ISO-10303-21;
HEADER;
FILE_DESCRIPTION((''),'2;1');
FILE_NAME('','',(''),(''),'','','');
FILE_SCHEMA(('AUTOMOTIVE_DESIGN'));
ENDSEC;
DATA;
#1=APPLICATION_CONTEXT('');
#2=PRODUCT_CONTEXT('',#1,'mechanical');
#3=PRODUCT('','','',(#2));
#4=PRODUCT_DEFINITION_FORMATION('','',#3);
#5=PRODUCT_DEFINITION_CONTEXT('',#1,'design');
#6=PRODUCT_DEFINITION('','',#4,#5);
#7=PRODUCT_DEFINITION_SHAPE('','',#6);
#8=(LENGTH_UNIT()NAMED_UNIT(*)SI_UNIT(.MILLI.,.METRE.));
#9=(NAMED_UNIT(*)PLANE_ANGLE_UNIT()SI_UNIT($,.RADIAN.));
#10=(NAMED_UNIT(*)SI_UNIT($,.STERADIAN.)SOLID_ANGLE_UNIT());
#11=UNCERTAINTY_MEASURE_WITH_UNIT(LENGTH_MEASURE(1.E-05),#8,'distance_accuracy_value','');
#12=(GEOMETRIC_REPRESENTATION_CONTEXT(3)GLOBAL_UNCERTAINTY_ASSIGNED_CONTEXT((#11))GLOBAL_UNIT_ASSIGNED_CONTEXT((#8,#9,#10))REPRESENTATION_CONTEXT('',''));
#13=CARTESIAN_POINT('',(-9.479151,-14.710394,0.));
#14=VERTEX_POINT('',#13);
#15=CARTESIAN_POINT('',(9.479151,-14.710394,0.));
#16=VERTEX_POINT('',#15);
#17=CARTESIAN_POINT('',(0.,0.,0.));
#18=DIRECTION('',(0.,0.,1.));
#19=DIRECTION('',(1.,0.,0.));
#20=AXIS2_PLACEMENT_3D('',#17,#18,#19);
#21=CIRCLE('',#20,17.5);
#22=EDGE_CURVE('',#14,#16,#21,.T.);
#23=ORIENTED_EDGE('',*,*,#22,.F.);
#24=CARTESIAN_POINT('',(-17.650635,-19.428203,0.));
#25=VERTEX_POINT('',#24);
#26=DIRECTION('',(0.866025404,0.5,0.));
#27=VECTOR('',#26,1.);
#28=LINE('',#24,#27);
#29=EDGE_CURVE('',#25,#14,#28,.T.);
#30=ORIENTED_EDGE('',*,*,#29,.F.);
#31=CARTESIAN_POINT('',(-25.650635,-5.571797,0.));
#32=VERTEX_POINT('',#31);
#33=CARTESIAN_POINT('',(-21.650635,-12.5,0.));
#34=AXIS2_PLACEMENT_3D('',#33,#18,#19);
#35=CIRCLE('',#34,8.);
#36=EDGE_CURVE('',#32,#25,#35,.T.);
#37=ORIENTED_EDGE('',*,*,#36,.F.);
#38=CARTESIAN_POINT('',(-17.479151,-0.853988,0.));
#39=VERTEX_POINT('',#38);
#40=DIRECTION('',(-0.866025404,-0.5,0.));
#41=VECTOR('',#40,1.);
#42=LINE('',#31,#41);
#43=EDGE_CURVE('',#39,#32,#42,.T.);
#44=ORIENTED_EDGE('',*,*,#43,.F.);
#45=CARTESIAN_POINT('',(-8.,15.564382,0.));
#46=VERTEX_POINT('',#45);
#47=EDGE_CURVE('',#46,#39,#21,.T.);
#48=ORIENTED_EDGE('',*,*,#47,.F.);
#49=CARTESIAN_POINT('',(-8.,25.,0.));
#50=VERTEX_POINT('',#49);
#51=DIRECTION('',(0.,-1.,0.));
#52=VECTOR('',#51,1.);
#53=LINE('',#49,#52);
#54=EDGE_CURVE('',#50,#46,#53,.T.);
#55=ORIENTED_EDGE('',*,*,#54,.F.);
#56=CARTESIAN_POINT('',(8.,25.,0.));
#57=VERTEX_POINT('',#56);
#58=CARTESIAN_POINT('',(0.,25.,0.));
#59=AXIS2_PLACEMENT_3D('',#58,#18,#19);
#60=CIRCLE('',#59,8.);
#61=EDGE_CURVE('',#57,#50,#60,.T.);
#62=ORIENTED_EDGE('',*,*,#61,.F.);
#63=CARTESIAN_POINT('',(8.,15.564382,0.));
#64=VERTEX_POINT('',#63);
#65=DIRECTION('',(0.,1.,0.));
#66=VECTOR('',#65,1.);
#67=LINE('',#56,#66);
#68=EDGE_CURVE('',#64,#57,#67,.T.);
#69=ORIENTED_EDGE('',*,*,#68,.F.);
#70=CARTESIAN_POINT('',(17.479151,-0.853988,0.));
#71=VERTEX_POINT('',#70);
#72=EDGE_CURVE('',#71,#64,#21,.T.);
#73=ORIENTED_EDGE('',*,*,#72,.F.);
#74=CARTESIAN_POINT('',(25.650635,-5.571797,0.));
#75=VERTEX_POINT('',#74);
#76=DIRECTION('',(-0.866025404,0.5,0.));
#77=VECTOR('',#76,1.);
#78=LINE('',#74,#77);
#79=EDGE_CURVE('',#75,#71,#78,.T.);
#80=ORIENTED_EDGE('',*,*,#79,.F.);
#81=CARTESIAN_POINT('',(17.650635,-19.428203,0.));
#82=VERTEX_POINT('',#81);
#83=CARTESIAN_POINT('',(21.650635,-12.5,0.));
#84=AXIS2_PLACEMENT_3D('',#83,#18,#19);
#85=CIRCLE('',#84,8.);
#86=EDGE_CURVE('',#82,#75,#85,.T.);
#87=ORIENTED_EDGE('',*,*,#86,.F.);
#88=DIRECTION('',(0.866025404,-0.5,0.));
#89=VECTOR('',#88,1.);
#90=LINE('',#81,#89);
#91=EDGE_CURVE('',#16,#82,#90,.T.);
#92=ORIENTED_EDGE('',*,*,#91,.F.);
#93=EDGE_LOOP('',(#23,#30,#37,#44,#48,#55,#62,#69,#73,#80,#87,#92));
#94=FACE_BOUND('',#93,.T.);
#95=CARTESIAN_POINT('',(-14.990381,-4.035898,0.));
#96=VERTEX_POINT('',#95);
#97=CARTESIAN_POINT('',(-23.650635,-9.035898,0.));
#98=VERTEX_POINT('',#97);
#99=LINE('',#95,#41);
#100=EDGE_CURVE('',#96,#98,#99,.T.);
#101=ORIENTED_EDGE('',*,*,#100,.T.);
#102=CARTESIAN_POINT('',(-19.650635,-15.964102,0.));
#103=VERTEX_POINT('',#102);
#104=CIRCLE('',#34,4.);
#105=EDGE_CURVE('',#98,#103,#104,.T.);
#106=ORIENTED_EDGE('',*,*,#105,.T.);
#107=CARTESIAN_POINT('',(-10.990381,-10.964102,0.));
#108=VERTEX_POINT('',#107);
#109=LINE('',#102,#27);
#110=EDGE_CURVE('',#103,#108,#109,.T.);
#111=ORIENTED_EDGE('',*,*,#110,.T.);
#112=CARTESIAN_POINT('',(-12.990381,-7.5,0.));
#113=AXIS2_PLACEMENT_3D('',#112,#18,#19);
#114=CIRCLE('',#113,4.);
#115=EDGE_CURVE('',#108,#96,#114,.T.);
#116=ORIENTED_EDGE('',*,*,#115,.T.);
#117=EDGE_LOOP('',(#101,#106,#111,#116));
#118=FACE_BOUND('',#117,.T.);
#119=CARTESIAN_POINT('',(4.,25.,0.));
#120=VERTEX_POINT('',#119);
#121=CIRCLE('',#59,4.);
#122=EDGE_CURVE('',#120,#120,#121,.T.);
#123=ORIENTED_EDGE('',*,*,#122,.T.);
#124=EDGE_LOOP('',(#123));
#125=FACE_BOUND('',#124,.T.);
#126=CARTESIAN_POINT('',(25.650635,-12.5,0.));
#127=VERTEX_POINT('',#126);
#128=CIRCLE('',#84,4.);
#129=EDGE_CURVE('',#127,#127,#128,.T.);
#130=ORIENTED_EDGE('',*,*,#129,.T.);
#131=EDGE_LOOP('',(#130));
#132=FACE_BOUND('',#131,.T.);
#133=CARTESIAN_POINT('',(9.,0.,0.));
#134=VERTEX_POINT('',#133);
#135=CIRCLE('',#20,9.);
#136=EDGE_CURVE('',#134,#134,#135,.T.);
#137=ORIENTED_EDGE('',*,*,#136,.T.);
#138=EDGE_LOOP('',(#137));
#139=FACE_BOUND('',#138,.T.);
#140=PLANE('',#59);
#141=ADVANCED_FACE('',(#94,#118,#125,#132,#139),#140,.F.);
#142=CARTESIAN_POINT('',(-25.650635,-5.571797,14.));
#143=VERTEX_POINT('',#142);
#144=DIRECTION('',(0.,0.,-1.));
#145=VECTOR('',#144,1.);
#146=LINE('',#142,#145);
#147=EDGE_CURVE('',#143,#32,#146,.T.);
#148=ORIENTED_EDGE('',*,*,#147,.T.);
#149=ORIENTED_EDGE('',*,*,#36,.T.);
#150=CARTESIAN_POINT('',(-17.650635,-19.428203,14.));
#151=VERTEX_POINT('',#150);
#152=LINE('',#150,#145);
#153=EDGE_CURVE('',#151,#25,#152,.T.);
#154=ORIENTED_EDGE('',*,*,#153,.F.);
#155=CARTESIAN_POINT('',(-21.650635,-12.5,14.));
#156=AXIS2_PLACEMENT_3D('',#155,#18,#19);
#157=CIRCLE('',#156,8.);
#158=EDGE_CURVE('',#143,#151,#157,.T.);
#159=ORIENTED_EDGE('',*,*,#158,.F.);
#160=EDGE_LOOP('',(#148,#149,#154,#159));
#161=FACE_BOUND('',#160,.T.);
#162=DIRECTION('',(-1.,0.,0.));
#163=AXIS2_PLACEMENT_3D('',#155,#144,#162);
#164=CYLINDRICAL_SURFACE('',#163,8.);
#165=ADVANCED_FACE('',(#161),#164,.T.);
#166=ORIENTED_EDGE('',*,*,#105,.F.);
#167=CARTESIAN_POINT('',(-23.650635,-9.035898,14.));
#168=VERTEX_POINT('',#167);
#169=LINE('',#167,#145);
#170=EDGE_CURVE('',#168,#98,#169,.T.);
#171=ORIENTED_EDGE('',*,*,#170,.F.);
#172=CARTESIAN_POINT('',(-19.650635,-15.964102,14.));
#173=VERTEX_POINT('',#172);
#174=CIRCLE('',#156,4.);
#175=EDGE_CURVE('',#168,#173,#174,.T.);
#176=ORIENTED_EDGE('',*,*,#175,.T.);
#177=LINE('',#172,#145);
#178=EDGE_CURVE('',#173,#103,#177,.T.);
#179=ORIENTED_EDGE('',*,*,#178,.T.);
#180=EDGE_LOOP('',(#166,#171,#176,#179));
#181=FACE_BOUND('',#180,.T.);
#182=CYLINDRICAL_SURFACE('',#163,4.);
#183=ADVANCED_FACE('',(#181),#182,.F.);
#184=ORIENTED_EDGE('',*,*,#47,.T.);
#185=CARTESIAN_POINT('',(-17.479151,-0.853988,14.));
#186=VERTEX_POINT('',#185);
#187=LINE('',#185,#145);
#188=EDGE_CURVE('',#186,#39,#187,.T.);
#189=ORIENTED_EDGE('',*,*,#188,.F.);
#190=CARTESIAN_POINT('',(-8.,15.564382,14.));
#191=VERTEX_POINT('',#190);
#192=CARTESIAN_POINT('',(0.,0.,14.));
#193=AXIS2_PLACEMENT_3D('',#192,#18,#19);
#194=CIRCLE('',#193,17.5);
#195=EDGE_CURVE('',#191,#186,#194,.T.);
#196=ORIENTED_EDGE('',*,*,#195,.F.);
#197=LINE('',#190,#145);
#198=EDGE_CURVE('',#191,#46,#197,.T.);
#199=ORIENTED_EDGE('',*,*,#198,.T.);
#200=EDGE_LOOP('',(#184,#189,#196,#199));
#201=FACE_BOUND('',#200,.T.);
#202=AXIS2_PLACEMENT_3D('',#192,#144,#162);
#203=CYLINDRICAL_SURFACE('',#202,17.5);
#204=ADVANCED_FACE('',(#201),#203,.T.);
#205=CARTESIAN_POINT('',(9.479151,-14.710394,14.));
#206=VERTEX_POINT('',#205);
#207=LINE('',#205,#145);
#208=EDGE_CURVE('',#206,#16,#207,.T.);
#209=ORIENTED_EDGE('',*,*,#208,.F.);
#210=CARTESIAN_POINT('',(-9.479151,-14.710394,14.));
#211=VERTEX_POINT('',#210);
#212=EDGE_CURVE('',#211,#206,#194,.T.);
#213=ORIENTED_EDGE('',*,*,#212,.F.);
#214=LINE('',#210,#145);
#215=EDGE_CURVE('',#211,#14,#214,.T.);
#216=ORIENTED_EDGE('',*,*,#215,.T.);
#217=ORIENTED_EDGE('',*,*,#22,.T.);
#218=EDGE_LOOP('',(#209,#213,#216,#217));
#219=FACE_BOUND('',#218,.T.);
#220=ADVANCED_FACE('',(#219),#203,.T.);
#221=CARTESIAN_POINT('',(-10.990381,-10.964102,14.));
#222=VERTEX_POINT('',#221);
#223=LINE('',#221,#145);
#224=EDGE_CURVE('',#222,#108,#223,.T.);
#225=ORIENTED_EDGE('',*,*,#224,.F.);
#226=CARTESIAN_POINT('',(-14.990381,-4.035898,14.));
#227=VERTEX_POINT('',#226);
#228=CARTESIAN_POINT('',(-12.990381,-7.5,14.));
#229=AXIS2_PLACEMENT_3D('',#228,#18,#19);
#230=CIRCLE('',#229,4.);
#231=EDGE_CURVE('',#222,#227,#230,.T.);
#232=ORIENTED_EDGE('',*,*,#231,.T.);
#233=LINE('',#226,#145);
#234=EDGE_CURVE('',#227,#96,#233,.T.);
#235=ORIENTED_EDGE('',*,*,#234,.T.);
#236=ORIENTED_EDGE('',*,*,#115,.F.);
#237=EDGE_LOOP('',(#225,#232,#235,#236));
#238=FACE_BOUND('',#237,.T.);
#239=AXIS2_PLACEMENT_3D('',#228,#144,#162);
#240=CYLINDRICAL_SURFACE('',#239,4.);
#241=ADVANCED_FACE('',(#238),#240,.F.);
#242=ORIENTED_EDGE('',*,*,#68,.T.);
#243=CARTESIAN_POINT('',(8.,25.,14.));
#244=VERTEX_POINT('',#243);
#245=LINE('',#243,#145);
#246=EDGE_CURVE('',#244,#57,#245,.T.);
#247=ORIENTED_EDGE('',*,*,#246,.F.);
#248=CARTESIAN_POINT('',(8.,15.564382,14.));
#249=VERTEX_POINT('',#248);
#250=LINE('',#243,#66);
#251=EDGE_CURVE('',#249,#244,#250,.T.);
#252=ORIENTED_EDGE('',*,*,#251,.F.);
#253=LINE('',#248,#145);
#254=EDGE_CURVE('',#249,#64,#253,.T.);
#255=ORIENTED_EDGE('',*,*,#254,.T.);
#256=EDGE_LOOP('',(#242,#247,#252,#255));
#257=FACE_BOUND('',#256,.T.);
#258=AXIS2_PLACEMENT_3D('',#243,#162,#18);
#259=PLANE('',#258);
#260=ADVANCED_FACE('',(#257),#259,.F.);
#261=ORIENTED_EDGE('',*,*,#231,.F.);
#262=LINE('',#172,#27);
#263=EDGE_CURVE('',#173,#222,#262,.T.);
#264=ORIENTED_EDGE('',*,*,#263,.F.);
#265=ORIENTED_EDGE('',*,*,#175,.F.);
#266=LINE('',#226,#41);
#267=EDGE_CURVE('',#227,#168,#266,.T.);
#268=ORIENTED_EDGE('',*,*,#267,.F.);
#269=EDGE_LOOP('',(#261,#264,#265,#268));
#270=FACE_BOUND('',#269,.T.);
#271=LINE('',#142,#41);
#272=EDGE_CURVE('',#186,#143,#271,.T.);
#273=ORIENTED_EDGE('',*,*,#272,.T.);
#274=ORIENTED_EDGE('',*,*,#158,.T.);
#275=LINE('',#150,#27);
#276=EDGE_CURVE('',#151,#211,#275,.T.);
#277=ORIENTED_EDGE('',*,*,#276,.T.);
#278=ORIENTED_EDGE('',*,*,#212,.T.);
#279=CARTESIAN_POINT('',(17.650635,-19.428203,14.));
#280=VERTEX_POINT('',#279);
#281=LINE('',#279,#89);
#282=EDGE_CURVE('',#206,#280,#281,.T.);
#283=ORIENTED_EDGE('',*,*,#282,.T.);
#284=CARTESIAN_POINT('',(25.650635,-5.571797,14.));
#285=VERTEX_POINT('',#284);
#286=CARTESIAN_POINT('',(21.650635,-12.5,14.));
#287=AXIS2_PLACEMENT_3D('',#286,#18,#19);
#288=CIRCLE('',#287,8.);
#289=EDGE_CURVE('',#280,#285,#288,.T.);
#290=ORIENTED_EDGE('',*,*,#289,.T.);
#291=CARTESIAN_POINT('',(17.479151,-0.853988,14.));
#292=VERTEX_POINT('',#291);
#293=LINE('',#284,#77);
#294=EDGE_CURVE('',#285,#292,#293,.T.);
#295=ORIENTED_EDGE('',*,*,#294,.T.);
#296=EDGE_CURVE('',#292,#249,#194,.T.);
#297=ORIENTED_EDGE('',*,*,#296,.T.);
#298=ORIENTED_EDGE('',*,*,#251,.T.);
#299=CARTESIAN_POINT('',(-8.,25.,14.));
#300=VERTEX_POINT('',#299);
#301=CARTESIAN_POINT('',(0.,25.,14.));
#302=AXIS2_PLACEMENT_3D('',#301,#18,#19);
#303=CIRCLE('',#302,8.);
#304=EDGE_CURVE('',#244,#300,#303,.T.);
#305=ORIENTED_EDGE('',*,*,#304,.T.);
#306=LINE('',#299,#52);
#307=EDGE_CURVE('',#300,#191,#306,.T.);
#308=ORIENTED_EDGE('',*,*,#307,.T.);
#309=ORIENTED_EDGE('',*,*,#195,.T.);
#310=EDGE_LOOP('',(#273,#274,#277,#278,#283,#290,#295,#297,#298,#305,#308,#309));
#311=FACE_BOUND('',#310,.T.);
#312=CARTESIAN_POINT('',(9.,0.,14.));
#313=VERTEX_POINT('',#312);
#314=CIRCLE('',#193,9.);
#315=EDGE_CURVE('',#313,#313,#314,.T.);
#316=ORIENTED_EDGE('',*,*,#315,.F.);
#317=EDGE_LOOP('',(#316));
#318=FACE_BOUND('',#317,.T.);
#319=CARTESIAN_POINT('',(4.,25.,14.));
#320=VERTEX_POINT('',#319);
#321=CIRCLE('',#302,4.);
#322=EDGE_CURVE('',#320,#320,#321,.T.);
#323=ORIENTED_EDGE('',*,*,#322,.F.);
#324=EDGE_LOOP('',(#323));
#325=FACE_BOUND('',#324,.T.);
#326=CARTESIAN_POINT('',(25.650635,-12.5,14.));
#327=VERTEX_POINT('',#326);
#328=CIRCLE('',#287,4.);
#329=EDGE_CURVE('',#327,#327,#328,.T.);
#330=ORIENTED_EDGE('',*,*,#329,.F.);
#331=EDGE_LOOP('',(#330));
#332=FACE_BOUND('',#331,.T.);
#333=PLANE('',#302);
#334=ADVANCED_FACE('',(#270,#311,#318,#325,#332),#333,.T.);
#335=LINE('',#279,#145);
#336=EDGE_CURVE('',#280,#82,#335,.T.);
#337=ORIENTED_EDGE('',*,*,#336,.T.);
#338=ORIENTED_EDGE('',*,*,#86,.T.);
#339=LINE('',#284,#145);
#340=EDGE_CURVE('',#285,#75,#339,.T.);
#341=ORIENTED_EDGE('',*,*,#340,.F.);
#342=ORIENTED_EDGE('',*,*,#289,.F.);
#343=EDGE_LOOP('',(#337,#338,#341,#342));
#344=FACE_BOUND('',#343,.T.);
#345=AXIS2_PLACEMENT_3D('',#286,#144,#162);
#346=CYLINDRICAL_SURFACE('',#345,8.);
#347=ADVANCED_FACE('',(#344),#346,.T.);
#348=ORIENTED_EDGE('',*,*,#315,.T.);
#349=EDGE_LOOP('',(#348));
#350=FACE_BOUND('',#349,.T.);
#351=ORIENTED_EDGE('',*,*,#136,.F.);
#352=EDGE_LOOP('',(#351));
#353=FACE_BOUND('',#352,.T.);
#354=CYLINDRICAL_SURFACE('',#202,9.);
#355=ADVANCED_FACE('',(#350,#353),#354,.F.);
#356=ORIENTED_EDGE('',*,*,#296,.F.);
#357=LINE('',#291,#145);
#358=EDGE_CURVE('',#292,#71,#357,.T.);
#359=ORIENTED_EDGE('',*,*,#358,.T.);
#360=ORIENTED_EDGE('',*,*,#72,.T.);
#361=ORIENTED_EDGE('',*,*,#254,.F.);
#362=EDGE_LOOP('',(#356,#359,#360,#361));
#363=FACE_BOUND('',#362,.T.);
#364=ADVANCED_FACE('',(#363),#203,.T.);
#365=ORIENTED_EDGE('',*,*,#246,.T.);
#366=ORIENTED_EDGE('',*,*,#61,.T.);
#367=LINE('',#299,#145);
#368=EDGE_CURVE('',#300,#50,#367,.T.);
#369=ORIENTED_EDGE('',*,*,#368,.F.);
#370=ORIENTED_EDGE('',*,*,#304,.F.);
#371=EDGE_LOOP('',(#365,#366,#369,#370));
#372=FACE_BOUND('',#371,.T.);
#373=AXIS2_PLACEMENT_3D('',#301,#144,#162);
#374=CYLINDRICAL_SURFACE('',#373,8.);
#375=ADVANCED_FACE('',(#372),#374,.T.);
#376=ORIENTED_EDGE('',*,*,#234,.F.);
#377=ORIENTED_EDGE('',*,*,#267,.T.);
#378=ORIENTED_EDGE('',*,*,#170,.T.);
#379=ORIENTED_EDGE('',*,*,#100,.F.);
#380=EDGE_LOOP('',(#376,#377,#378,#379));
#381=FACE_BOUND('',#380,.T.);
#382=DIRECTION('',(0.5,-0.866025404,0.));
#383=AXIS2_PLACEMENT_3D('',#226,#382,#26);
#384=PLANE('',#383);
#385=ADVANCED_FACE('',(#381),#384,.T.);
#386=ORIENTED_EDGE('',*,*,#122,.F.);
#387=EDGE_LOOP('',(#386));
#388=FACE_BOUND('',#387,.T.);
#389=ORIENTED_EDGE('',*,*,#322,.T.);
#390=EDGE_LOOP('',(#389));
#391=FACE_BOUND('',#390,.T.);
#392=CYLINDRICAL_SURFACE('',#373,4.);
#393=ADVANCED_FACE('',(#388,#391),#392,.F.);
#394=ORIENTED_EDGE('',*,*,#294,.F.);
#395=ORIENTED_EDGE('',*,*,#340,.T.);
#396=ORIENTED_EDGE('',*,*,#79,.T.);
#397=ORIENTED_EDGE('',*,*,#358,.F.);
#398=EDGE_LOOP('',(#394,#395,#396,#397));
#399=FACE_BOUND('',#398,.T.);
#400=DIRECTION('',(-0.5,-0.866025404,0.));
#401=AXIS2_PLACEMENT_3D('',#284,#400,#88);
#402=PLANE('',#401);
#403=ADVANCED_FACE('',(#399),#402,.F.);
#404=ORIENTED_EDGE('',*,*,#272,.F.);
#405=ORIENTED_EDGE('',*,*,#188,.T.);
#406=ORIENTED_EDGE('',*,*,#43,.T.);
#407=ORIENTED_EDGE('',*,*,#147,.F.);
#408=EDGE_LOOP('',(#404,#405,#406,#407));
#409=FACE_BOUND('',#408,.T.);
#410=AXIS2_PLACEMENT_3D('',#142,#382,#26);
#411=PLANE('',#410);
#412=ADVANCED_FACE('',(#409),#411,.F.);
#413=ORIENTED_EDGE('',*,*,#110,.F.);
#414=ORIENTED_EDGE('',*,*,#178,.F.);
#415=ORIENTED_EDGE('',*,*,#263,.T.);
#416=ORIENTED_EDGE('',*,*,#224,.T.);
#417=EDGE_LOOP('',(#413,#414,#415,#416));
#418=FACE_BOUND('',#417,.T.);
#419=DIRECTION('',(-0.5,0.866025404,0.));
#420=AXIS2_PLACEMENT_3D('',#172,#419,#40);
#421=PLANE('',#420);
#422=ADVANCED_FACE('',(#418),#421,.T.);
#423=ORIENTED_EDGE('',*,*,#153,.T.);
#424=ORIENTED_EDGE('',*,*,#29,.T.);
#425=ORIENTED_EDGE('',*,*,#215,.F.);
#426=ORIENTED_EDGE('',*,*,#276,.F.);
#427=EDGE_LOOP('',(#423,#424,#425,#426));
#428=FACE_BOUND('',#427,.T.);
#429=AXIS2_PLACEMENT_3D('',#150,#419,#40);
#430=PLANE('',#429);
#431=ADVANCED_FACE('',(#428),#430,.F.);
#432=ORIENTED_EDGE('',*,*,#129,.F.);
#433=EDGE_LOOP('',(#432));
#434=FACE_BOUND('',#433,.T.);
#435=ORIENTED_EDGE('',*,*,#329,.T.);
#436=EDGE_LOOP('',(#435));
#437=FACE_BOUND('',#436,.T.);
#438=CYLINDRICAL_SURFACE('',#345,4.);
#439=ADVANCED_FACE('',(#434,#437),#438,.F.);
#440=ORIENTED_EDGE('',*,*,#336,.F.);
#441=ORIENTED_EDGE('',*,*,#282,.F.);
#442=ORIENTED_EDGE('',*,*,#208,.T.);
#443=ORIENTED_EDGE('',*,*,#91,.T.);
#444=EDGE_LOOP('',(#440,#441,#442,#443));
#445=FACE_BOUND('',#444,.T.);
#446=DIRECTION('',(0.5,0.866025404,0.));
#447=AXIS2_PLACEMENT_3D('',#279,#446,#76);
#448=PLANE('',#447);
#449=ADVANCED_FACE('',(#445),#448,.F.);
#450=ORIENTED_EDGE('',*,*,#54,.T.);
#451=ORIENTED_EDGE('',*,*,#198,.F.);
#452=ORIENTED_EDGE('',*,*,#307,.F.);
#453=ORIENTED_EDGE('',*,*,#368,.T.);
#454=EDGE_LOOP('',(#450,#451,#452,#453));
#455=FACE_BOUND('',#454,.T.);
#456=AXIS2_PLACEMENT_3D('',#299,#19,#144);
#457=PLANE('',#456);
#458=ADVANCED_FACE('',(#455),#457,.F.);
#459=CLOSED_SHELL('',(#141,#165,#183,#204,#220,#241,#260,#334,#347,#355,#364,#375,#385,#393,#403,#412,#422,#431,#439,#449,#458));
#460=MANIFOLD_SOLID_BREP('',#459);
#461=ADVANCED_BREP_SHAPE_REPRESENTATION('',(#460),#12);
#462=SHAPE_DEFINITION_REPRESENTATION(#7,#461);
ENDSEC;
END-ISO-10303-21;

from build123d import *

# Parameters (mm, degrees)
SKETCH_1_R      = 9
SKETCH_1_R_2    = 4
EXTRUDE_1_DEPTH = 14


with BuildPart() as part:
    # Эскиз1 → Бобышка-Вытянуть1 (new body)
    with BuildSketch(Plane.XY):
        with BuildLine():
            Line((-8, 25), (-8, 15.564382416))
            ThreePointArc((-8, 15.564382416), (-15.155444566, 8.75), (-17.479150567, -0.853987978))
            Line((-17.479150567, -0.853987978), (-25.650635095, -5.57179677))
            ThreePointArc((-25.650635095, -5.57179677), (-28.578838325, -16.5), (-17.650635095, -19.42820323))
            Line((-17.650635095, -19.42820323), (-9.479150567, -14.710394438))
            ThreePointArc((-9.479150567, -14.710394438), (0, -17.5), (9.479150567, -14.710394438))
            Line((9.479150567, -14.710394438), (17.650635095, -19.42820323))
            ThreePointArc((17.650635095, -19.42820323), (28.578838325, -16.5), (25.650635095, -5.57179677))
            Line((25.650635095, -5.57179677), (17.479150567, -0.853987978))
            ThreePointArc((17.479150567, -0.853987978), (15.155444566, 8.75), (8, 15.564382416))
            Line((8, 15.564382416), (8, 25))
            ThreePointArc((8, 25), (0, 33), (-8, 25))
        make_face()
        Circle(SKETCH_1_R, mode=Mode.SUBTRACT)
        with Locations((0, 25)):
            Circle(SKETCH_1_R_2, mode=Mode.SUBTRACT)
        with Locations((21.650635095, -12.5)):
            Circle(SKETCH_1_R_2, mode=Mode.SUBTRACT)
        with BuildLine():
            Line((-14.990381057, -4.035898385), (-23.650635095, -9.035898385))
            ThreePointArc((-23.650635095, -9.035898385), (-25.11473671, -14.5), (-19.650635095, -15.964101615))
            Line((-19.650635095, -15.964101615), (-10.990381057, -10.964101615))
            ThreePointArc((-10.990381057, -10.964101615), (-9.526279442, -5.5), (-14.990381057, -4.035898385))
        make_face(mode=Mode.SUBTRACT)
    extrude(amount=EXTRUDE_1_DEPTH)


solid = part.part
